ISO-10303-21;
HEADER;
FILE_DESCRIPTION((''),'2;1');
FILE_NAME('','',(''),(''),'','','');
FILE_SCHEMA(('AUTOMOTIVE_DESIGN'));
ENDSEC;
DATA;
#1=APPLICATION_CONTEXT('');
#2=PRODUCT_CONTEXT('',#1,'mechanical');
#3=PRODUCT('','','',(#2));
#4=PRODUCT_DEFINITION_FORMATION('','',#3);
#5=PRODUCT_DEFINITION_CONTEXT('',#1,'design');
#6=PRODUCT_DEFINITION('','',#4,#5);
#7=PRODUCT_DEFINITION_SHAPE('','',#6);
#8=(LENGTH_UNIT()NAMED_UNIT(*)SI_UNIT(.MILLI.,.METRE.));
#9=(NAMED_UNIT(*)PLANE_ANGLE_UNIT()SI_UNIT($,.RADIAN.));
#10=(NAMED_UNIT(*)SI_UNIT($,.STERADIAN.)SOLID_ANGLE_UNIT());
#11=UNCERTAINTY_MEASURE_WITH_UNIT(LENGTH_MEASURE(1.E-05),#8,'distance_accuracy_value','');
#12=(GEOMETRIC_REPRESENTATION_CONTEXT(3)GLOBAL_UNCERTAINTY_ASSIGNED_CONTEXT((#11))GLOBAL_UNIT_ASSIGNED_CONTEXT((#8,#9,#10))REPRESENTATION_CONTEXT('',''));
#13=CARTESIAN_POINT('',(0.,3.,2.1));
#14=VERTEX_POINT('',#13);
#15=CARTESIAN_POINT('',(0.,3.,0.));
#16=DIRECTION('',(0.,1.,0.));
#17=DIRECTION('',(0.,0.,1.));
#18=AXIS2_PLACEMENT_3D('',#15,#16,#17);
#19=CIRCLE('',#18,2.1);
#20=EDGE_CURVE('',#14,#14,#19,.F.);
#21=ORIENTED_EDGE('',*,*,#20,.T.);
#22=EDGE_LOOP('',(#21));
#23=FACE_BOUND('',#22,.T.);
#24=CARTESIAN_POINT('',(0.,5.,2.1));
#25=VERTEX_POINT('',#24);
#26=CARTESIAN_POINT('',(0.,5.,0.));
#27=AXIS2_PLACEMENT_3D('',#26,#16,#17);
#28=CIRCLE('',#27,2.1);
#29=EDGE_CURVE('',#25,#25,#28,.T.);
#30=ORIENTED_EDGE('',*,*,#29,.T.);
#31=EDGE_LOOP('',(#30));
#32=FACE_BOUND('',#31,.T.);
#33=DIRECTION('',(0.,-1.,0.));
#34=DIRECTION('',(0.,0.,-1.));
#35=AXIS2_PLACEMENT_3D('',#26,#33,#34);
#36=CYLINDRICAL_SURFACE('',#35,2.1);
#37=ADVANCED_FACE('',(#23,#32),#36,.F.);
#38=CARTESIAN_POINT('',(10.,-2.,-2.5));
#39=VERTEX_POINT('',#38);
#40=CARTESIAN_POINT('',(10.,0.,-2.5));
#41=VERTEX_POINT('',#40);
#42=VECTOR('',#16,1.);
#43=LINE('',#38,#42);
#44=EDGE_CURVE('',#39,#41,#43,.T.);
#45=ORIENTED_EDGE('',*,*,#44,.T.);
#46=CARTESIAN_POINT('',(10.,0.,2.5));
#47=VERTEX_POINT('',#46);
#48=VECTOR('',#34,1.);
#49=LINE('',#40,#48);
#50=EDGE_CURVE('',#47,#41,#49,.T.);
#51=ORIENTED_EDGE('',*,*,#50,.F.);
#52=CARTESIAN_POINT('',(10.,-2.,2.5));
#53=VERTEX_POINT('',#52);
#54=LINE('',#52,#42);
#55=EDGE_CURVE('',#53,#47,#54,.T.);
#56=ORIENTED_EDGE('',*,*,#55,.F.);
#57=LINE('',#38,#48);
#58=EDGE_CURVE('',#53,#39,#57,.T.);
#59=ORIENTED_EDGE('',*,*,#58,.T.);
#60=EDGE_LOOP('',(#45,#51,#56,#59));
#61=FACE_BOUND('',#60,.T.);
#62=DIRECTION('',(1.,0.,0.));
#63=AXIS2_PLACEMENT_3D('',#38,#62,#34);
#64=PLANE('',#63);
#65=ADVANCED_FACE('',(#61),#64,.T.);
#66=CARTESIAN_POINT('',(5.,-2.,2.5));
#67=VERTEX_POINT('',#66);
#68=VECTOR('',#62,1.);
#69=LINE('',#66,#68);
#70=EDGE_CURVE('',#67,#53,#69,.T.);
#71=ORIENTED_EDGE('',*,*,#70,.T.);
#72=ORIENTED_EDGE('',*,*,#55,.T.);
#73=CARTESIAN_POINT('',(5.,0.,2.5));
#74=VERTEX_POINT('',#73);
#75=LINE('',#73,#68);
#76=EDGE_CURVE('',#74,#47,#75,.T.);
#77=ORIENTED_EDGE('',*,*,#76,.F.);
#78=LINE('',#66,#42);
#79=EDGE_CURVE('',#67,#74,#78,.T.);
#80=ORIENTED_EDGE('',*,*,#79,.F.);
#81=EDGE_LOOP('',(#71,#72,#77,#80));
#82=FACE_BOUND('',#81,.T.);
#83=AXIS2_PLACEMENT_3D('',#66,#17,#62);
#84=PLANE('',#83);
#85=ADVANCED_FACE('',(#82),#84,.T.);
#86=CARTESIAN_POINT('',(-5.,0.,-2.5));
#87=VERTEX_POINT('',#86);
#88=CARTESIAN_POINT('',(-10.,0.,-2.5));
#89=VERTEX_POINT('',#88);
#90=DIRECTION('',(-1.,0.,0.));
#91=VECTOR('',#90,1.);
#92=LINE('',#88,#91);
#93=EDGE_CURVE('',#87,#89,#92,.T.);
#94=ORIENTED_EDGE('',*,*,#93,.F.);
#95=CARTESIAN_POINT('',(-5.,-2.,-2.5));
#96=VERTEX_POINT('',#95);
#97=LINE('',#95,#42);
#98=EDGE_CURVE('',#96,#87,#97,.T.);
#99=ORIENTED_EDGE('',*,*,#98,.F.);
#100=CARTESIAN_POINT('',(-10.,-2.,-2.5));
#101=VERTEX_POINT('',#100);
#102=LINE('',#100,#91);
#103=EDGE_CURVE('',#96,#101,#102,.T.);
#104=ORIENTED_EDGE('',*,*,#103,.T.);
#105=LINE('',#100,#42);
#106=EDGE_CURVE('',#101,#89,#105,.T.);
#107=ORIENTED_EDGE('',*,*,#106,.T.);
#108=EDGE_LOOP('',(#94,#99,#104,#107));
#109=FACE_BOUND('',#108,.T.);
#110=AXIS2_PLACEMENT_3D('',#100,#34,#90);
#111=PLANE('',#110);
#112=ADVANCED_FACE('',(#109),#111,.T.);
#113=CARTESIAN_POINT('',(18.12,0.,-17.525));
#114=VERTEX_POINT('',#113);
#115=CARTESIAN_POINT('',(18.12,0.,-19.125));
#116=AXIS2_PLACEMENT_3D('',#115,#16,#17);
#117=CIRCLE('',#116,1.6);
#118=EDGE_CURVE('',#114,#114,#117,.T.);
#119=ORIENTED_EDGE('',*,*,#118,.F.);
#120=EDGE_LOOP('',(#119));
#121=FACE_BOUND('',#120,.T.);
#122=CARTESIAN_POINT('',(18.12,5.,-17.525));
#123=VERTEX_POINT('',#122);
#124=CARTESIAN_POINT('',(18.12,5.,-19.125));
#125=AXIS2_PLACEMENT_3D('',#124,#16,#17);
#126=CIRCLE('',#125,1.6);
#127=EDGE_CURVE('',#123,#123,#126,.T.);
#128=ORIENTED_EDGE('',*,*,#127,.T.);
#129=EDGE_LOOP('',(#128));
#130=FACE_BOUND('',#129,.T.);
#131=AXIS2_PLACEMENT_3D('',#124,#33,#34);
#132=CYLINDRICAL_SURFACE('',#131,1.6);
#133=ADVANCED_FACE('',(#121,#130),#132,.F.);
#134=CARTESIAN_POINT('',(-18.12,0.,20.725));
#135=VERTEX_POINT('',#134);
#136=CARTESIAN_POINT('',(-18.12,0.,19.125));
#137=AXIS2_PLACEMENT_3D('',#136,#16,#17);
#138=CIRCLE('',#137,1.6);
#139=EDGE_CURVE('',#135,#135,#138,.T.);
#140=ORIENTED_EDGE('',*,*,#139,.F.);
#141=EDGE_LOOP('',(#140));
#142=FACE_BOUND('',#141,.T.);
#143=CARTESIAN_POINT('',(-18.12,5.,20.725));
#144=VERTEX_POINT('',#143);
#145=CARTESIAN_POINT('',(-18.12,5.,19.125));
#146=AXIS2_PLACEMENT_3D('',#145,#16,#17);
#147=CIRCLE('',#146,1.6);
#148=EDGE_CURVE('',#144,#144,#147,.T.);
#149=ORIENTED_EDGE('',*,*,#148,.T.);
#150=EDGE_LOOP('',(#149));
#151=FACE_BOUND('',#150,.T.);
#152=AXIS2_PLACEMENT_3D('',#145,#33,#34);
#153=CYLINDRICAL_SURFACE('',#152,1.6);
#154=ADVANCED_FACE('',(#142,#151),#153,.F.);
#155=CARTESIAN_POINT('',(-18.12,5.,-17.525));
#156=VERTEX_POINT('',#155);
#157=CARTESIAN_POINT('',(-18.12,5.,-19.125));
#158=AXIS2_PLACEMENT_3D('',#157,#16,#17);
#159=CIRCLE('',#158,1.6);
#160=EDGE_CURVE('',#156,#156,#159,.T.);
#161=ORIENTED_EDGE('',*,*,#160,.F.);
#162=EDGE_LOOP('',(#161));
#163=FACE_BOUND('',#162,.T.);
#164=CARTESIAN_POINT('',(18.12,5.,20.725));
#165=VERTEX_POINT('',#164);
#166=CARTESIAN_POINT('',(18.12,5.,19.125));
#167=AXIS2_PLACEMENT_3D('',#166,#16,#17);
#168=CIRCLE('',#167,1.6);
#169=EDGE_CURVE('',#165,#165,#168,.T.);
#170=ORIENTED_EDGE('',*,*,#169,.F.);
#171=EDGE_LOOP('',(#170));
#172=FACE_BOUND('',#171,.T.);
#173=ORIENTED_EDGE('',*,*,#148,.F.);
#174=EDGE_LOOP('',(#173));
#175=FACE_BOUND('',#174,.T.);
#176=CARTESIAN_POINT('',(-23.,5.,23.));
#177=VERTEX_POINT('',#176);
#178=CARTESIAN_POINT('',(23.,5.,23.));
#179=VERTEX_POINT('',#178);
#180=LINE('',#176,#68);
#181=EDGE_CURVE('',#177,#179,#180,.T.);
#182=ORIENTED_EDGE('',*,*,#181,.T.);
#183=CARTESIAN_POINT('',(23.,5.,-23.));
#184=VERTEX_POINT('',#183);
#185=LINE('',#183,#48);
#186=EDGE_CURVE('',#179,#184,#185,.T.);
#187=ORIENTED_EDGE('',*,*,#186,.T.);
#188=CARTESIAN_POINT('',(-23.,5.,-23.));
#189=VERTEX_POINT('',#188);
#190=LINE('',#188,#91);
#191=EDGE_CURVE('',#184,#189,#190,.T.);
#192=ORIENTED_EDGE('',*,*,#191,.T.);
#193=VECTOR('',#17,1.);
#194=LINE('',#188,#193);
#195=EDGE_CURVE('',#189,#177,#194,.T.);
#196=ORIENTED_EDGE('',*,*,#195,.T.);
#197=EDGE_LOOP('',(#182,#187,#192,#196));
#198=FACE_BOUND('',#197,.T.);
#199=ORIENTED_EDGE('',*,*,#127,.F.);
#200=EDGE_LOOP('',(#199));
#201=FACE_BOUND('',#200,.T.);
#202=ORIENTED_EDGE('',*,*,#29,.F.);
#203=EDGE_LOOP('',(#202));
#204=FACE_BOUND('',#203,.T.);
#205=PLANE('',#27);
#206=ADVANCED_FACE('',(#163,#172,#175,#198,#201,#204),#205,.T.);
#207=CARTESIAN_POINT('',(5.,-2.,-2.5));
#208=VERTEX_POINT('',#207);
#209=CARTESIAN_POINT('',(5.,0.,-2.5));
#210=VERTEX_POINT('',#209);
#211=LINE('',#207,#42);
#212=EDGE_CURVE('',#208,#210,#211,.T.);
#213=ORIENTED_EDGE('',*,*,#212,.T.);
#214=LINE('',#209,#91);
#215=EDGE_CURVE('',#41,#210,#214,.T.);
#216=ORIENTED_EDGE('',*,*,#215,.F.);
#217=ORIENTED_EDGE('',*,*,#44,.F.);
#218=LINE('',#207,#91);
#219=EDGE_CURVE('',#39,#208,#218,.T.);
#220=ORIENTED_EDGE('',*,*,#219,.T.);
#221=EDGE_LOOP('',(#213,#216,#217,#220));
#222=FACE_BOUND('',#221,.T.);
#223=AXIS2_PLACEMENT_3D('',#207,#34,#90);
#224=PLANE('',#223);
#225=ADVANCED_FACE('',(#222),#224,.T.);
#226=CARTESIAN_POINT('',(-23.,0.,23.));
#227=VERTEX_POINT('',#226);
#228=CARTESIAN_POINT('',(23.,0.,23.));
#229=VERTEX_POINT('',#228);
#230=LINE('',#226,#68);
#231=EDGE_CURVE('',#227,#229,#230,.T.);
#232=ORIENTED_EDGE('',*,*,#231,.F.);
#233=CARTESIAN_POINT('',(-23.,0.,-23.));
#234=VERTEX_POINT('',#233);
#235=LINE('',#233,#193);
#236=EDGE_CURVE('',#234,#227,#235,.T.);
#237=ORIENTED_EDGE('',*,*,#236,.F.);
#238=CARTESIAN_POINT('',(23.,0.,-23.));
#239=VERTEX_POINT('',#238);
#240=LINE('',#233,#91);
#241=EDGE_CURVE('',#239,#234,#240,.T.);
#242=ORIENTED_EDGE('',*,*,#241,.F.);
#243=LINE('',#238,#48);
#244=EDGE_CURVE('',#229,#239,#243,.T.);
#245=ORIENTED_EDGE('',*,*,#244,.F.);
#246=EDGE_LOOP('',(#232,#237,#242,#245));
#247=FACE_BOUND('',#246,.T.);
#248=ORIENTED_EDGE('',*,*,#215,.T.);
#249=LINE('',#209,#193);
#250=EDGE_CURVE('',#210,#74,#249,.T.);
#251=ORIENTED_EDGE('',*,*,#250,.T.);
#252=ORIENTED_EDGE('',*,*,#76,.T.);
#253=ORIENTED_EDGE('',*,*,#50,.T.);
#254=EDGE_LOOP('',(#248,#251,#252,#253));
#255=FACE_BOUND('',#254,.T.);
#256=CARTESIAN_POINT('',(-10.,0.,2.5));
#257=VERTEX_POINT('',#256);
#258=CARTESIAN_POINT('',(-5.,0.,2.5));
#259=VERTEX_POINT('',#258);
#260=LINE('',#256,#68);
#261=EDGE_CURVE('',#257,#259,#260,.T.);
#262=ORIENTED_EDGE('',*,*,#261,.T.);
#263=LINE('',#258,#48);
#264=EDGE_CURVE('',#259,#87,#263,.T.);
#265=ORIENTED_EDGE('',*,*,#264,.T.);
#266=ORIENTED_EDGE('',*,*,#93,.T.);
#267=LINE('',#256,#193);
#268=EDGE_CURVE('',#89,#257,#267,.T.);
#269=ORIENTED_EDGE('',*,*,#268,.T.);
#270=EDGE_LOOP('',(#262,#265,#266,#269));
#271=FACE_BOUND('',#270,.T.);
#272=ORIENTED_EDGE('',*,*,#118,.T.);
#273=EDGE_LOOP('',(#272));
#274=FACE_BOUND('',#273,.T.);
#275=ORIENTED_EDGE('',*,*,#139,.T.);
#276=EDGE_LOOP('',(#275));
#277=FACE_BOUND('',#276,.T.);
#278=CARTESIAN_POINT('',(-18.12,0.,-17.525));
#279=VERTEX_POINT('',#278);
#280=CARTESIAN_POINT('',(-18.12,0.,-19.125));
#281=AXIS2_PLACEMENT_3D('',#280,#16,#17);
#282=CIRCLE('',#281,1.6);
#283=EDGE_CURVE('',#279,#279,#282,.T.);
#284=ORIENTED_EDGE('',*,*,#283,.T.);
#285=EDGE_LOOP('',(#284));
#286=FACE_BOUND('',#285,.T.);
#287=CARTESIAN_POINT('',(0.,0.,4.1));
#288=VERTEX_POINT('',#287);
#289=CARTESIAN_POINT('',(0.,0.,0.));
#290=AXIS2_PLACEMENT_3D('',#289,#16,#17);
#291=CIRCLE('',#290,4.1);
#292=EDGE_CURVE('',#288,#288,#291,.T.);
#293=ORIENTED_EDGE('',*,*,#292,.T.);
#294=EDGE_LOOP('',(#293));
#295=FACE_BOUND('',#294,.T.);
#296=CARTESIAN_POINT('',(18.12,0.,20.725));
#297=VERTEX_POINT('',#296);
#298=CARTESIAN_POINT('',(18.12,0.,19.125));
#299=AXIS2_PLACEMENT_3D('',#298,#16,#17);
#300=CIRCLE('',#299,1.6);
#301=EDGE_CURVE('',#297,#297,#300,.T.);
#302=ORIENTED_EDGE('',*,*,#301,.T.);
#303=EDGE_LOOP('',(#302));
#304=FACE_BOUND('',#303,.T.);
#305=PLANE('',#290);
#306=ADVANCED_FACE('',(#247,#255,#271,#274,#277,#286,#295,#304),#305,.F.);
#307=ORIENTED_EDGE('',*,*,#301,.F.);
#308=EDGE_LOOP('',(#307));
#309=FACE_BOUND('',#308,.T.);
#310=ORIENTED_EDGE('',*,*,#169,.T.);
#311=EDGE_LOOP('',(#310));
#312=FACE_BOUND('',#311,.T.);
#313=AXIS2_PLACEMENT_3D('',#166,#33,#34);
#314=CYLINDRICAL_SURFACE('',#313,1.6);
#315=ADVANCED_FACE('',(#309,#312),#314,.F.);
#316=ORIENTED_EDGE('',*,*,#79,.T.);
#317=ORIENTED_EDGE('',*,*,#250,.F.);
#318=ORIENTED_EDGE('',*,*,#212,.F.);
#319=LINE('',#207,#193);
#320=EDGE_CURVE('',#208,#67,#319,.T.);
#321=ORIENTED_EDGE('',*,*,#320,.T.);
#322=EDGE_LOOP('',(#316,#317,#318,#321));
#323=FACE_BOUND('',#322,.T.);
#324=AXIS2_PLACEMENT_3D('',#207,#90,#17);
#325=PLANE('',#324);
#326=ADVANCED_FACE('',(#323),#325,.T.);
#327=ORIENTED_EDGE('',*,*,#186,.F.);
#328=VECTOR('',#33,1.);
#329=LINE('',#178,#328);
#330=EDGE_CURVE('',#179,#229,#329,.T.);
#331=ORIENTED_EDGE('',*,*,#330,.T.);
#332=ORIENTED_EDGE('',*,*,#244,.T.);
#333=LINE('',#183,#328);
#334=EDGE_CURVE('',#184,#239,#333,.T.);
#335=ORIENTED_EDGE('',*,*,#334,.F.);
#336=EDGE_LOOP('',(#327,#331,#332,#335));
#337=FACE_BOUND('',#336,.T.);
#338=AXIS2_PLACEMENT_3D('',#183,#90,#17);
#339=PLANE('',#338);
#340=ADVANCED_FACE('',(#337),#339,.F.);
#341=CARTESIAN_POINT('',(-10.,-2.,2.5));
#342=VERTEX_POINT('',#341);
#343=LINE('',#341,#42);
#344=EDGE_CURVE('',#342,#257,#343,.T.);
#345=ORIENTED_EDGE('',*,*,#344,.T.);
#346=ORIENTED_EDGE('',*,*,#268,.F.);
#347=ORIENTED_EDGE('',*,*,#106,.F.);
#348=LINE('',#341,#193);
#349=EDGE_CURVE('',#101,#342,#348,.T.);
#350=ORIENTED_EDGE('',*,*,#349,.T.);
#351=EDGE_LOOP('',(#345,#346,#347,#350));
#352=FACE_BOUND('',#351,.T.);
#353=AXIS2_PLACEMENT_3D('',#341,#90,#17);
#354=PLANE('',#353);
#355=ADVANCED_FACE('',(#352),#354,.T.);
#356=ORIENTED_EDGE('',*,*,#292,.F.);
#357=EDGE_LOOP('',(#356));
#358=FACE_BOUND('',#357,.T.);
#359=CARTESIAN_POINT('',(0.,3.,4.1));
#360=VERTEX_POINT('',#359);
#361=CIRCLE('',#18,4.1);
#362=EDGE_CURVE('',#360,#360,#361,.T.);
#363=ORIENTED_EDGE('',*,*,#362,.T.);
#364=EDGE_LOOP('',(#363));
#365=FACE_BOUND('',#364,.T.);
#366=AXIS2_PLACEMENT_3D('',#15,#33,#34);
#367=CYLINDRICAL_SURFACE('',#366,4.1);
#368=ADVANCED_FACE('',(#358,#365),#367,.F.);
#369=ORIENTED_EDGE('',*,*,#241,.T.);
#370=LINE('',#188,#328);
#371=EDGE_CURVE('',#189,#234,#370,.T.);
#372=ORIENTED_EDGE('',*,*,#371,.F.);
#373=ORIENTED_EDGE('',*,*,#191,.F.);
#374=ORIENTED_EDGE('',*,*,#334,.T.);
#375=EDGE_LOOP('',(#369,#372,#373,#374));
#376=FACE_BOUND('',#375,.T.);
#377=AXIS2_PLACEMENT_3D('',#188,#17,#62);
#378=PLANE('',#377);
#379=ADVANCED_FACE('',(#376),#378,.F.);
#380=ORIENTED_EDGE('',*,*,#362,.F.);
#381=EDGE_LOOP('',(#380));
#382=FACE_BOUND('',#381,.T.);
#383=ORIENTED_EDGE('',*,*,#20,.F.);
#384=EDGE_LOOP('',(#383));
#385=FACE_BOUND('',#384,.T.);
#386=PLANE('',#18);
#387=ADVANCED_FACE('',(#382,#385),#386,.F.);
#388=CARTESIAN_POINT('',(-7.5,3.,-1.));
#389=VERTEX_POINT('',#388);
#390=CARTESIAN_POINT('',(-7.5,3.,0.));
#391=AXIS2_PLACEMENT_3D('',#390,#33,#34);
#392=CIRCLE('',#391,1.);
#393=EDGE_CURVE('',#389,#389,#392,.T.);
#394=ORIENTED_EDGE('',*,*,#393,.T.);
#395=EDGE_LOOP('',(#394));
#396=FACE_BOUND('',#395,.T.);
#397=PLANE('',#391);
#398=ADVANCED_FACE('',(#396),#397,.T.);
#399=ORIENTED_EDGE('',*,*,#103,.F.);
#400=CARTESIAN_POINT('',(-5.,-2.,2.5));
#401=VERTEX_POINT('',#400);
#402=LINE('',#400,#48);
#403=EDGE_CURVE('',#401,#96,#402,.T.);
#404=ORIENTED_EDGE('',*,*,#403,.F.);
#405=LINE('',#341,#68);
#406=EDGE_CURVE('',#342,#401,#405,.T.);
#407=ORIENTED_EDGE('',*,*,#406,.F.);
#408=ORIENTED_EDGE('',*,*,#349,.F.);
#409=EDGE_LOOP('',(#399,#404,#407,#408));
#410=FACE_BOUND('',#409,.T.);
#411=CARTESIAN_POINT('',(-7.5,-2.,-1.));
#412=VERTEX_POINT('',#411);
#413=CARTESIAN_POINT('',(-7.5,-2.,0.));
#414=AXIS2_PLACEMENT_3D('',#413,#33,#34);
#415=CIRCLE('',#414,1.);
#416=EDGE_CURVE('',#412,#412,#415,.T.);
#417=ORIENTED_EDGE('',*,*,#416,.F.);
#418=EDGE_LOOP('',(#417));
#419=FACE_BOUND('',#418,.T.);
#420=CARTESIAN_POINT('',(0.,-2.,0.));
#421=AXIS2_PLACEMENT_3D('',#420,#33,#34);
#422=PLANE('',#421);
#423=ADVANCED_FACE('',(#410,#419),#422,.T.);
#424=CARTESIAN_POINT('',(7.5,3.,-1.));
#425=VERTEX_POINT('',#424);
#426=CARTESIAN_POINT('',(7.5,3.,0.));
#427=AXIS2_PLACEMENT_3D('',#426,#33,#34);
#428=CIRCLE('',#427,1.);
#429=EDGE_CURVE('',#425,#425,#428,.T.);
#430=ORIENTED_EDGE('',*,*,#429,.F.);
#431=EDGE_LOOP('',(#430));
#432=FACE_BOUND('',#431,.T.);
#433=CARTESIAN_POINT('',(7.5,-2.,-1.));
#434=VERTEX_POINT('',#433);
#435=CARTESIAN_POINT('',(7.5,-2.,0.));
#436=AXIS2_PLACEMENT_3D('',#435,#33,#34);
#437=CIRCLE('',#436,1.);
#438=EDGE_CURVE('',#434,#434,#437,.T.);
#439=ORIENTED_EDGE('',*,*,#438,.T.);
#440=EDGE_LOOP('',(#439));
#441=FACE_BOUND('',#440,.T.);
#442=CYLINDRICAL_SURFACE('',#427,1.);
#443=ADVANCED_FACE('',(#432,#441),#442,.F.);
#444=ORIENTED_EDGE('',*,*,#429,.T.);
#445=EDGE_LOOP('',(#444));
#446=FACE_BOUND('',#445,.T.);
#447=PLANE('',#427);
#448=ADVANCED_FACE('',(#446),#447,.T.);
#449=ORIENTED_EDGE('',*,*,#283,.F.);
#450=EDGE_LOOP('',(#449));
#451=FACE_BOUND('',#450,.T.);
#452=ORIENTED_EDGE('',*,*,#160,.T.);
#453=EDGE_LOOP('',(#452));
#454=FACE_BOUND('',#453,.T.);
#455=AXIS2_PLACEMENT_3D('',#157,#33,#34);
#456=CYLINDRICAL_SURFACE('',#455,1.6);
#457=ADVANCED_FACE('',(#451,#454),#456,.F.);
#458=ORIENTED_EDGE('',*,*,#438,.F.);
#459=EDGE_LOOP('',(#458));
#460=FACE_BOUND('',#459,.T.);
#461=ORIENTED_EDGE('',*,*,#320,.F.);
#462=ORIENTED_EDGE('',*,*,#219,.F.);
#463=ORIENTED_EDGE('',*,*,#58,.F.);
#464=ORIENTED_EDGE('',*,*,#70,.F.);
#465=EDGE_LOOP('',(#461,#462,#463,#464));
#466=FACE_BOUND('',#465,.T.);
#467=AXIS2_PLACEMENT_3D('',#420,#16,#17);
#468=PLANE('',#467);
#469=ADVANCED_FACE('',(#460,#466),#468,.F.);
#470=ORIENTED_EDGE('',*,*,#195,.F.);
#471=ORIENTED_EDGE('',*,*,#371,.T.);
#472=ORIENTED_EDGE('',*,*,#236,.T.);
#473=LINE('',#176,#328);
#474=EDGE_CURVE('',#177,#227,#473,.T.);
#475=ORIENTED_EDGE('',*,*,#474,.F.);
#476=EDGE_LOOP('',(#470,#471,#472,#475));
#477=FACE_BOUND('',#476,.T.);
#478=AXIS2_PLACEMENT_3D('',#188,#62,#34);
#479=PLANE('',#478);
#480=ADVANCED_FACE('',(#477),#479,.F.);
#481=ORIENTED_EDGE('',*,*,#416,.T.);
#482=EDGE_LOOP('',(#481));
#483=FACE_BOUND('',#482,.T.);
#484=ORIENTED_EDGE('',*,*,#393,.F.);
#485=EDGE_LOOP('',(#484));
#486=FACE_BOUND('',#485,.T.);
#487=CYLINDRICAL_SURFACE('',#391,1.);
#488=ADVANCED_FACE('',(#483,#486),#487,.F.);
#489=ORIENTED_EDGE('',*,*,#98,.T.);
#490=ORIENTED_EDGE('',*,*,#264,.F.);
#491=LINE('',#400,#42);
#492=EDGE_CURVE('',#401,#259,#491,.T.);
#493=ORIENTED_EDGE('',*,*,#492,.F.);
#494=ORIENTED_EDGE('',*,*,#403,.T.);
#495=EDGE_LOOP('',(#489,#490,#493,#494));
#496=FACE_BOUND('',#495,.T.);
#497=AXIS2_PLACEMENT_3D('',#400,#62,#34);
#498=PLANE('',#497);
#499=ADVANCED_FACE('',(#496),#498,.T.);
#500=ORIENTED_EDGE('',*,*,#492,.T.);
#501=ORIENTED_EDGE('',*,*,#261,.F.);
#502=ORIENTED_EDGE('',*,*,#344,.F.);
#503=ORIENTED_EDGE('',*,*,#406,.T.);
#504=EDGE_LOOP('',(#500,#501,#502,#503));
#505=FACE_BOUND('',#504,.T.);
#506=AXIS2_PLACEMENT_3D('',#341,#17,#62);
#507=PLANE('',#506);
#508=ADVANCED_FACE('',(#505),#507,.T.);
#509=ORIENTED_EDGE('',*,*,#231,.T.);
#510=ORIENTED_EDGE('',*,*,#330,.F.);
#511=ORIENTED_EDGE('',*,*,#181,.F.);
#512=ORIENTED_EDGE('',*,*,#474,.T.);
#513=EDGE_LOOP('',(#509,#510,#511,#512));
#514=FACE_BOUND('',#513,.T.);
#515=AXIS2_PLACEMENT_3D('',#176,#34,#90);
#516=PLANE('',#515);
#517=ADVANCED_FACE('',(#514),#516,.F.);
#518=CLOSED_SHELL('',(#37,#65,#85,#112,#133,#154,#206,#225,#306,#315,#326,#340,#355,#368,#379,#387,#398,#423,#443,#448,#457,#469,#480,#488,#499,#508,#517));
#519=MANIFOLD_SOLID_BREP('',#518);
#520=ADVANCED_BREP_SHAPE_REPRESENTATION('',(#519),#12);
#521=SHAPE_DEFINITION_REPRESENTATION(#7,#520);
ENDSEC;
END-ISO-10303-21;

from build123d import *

# Parameters (mm, degrees)
SKETCH1_W           = 46
SKETCH1_H           = 46
BOSS_EXTRUDE1_DEPTH = 5
SKETCH3_R           = 4.1
CUT_EXTRUDE2_DEPTH  = 3
SKETCH4_R           = 2.1
CUT_EXTRUDE3_DEPTH  = 6
SKETCH5_W           = 5
SKETCH5_H           = 5
BOSS_EXTRUDE2_DEPTH = 2
SKETCH6_R           = 1
CUT_EXTRUDE4_DEPTH  = 5
SKETCH7_R           = 1.6
CUT_EXTRUDE5_DEPTH  = 5


with BuildPart() as part:
    # Sketch1 → Boss-Extrude1 (new body)
    with BuildSketch(Plane(origin=(0, 0, 0), x_dir=(1, 0, 0), z_dir=(0, 1, 0))):
        Rectangle(SKETCH1_W, SKETCH1_H)
    extrude(amount=BOSS_EXTRUDE1_DEPTH)

    # Sketch3 → Cut-Extrude2 (cut)
    with BuildSketch(Plane(origin=(0, 0, 0), x_dir=(1, 0, 0), z_dir=(0, 1, 0))):
        Circle(SKETCH3_R)
    extrude(amount=CUT_EXTRUDE2_DEPTH, mode=Mode.SUBTRACT)

    # Sketch4 → Cut-Extrude3 (cut, through all)
    with BuildSketch(Plane(origin=(0, 0, 0), x_dir=(1, 0, 0), z_dir=(0, 1, 0))):
        Circle(SKETCH4_R)
    extrude(amount=CUT_EXTRUDE3_DEPTH, mode=Mode.SUBTRACT)

    # Sketch5 → Boss-Extrude2 (add)
    with BuildSketch(Plane(origin=(0, 0, 0), x_dir=(1, 0, 0), z_dir=(0, 1, 0))):
        with Locations((7.5, 0)):
            Rectangle(SKETCH5_W, SKETCH5_H)
        with Locations((-7.5, 0)):
            Rectangle(SKETCH5_W, SKETCH5_H)
    extrude(amount=-BOSS_EXTRUDE2_DEPTH)

    # Sketch6 → Cut-Extrude4 (cut)
    with BuildSketch(Plane(origin=(0, -2, 0), x_dir=(-1, 0, 0), z_dir=(0, -1, 0))):
        with Locations((7.5, 0)):
            Circle(SKETCH6_R)
        with Locations((-7.5, 0)):
            Circle(SKETCH6_R)
    extrude(amount=-CUT_EXTRUDE4_DEPTH, mode=Mode.SUBTRACT)

    # Sketch7 → Cut-Extrude5 (cut)
    with BuildSketch(Plane(origin=(0, 0, 0), x_dir=(1, 0, 0), z_dir=(0, 1, 0))):
        with Locations((-18.12, -19.125)):
            Circle(SKETCH7_R)
        with Locations((18.12, -19.125)):
            Circle(SKETCH7_R)
        with Locations((18.12, 19.125)):
            Circle(SKETCH7_R)
        with Locations((-18.12, 19.125)):
            Circle(SKETCH7_R)
    extrude(amount=CUT_EXTRUDE5_DEPTH, mode=Mode.SUBTRACT)


solid = part.part
